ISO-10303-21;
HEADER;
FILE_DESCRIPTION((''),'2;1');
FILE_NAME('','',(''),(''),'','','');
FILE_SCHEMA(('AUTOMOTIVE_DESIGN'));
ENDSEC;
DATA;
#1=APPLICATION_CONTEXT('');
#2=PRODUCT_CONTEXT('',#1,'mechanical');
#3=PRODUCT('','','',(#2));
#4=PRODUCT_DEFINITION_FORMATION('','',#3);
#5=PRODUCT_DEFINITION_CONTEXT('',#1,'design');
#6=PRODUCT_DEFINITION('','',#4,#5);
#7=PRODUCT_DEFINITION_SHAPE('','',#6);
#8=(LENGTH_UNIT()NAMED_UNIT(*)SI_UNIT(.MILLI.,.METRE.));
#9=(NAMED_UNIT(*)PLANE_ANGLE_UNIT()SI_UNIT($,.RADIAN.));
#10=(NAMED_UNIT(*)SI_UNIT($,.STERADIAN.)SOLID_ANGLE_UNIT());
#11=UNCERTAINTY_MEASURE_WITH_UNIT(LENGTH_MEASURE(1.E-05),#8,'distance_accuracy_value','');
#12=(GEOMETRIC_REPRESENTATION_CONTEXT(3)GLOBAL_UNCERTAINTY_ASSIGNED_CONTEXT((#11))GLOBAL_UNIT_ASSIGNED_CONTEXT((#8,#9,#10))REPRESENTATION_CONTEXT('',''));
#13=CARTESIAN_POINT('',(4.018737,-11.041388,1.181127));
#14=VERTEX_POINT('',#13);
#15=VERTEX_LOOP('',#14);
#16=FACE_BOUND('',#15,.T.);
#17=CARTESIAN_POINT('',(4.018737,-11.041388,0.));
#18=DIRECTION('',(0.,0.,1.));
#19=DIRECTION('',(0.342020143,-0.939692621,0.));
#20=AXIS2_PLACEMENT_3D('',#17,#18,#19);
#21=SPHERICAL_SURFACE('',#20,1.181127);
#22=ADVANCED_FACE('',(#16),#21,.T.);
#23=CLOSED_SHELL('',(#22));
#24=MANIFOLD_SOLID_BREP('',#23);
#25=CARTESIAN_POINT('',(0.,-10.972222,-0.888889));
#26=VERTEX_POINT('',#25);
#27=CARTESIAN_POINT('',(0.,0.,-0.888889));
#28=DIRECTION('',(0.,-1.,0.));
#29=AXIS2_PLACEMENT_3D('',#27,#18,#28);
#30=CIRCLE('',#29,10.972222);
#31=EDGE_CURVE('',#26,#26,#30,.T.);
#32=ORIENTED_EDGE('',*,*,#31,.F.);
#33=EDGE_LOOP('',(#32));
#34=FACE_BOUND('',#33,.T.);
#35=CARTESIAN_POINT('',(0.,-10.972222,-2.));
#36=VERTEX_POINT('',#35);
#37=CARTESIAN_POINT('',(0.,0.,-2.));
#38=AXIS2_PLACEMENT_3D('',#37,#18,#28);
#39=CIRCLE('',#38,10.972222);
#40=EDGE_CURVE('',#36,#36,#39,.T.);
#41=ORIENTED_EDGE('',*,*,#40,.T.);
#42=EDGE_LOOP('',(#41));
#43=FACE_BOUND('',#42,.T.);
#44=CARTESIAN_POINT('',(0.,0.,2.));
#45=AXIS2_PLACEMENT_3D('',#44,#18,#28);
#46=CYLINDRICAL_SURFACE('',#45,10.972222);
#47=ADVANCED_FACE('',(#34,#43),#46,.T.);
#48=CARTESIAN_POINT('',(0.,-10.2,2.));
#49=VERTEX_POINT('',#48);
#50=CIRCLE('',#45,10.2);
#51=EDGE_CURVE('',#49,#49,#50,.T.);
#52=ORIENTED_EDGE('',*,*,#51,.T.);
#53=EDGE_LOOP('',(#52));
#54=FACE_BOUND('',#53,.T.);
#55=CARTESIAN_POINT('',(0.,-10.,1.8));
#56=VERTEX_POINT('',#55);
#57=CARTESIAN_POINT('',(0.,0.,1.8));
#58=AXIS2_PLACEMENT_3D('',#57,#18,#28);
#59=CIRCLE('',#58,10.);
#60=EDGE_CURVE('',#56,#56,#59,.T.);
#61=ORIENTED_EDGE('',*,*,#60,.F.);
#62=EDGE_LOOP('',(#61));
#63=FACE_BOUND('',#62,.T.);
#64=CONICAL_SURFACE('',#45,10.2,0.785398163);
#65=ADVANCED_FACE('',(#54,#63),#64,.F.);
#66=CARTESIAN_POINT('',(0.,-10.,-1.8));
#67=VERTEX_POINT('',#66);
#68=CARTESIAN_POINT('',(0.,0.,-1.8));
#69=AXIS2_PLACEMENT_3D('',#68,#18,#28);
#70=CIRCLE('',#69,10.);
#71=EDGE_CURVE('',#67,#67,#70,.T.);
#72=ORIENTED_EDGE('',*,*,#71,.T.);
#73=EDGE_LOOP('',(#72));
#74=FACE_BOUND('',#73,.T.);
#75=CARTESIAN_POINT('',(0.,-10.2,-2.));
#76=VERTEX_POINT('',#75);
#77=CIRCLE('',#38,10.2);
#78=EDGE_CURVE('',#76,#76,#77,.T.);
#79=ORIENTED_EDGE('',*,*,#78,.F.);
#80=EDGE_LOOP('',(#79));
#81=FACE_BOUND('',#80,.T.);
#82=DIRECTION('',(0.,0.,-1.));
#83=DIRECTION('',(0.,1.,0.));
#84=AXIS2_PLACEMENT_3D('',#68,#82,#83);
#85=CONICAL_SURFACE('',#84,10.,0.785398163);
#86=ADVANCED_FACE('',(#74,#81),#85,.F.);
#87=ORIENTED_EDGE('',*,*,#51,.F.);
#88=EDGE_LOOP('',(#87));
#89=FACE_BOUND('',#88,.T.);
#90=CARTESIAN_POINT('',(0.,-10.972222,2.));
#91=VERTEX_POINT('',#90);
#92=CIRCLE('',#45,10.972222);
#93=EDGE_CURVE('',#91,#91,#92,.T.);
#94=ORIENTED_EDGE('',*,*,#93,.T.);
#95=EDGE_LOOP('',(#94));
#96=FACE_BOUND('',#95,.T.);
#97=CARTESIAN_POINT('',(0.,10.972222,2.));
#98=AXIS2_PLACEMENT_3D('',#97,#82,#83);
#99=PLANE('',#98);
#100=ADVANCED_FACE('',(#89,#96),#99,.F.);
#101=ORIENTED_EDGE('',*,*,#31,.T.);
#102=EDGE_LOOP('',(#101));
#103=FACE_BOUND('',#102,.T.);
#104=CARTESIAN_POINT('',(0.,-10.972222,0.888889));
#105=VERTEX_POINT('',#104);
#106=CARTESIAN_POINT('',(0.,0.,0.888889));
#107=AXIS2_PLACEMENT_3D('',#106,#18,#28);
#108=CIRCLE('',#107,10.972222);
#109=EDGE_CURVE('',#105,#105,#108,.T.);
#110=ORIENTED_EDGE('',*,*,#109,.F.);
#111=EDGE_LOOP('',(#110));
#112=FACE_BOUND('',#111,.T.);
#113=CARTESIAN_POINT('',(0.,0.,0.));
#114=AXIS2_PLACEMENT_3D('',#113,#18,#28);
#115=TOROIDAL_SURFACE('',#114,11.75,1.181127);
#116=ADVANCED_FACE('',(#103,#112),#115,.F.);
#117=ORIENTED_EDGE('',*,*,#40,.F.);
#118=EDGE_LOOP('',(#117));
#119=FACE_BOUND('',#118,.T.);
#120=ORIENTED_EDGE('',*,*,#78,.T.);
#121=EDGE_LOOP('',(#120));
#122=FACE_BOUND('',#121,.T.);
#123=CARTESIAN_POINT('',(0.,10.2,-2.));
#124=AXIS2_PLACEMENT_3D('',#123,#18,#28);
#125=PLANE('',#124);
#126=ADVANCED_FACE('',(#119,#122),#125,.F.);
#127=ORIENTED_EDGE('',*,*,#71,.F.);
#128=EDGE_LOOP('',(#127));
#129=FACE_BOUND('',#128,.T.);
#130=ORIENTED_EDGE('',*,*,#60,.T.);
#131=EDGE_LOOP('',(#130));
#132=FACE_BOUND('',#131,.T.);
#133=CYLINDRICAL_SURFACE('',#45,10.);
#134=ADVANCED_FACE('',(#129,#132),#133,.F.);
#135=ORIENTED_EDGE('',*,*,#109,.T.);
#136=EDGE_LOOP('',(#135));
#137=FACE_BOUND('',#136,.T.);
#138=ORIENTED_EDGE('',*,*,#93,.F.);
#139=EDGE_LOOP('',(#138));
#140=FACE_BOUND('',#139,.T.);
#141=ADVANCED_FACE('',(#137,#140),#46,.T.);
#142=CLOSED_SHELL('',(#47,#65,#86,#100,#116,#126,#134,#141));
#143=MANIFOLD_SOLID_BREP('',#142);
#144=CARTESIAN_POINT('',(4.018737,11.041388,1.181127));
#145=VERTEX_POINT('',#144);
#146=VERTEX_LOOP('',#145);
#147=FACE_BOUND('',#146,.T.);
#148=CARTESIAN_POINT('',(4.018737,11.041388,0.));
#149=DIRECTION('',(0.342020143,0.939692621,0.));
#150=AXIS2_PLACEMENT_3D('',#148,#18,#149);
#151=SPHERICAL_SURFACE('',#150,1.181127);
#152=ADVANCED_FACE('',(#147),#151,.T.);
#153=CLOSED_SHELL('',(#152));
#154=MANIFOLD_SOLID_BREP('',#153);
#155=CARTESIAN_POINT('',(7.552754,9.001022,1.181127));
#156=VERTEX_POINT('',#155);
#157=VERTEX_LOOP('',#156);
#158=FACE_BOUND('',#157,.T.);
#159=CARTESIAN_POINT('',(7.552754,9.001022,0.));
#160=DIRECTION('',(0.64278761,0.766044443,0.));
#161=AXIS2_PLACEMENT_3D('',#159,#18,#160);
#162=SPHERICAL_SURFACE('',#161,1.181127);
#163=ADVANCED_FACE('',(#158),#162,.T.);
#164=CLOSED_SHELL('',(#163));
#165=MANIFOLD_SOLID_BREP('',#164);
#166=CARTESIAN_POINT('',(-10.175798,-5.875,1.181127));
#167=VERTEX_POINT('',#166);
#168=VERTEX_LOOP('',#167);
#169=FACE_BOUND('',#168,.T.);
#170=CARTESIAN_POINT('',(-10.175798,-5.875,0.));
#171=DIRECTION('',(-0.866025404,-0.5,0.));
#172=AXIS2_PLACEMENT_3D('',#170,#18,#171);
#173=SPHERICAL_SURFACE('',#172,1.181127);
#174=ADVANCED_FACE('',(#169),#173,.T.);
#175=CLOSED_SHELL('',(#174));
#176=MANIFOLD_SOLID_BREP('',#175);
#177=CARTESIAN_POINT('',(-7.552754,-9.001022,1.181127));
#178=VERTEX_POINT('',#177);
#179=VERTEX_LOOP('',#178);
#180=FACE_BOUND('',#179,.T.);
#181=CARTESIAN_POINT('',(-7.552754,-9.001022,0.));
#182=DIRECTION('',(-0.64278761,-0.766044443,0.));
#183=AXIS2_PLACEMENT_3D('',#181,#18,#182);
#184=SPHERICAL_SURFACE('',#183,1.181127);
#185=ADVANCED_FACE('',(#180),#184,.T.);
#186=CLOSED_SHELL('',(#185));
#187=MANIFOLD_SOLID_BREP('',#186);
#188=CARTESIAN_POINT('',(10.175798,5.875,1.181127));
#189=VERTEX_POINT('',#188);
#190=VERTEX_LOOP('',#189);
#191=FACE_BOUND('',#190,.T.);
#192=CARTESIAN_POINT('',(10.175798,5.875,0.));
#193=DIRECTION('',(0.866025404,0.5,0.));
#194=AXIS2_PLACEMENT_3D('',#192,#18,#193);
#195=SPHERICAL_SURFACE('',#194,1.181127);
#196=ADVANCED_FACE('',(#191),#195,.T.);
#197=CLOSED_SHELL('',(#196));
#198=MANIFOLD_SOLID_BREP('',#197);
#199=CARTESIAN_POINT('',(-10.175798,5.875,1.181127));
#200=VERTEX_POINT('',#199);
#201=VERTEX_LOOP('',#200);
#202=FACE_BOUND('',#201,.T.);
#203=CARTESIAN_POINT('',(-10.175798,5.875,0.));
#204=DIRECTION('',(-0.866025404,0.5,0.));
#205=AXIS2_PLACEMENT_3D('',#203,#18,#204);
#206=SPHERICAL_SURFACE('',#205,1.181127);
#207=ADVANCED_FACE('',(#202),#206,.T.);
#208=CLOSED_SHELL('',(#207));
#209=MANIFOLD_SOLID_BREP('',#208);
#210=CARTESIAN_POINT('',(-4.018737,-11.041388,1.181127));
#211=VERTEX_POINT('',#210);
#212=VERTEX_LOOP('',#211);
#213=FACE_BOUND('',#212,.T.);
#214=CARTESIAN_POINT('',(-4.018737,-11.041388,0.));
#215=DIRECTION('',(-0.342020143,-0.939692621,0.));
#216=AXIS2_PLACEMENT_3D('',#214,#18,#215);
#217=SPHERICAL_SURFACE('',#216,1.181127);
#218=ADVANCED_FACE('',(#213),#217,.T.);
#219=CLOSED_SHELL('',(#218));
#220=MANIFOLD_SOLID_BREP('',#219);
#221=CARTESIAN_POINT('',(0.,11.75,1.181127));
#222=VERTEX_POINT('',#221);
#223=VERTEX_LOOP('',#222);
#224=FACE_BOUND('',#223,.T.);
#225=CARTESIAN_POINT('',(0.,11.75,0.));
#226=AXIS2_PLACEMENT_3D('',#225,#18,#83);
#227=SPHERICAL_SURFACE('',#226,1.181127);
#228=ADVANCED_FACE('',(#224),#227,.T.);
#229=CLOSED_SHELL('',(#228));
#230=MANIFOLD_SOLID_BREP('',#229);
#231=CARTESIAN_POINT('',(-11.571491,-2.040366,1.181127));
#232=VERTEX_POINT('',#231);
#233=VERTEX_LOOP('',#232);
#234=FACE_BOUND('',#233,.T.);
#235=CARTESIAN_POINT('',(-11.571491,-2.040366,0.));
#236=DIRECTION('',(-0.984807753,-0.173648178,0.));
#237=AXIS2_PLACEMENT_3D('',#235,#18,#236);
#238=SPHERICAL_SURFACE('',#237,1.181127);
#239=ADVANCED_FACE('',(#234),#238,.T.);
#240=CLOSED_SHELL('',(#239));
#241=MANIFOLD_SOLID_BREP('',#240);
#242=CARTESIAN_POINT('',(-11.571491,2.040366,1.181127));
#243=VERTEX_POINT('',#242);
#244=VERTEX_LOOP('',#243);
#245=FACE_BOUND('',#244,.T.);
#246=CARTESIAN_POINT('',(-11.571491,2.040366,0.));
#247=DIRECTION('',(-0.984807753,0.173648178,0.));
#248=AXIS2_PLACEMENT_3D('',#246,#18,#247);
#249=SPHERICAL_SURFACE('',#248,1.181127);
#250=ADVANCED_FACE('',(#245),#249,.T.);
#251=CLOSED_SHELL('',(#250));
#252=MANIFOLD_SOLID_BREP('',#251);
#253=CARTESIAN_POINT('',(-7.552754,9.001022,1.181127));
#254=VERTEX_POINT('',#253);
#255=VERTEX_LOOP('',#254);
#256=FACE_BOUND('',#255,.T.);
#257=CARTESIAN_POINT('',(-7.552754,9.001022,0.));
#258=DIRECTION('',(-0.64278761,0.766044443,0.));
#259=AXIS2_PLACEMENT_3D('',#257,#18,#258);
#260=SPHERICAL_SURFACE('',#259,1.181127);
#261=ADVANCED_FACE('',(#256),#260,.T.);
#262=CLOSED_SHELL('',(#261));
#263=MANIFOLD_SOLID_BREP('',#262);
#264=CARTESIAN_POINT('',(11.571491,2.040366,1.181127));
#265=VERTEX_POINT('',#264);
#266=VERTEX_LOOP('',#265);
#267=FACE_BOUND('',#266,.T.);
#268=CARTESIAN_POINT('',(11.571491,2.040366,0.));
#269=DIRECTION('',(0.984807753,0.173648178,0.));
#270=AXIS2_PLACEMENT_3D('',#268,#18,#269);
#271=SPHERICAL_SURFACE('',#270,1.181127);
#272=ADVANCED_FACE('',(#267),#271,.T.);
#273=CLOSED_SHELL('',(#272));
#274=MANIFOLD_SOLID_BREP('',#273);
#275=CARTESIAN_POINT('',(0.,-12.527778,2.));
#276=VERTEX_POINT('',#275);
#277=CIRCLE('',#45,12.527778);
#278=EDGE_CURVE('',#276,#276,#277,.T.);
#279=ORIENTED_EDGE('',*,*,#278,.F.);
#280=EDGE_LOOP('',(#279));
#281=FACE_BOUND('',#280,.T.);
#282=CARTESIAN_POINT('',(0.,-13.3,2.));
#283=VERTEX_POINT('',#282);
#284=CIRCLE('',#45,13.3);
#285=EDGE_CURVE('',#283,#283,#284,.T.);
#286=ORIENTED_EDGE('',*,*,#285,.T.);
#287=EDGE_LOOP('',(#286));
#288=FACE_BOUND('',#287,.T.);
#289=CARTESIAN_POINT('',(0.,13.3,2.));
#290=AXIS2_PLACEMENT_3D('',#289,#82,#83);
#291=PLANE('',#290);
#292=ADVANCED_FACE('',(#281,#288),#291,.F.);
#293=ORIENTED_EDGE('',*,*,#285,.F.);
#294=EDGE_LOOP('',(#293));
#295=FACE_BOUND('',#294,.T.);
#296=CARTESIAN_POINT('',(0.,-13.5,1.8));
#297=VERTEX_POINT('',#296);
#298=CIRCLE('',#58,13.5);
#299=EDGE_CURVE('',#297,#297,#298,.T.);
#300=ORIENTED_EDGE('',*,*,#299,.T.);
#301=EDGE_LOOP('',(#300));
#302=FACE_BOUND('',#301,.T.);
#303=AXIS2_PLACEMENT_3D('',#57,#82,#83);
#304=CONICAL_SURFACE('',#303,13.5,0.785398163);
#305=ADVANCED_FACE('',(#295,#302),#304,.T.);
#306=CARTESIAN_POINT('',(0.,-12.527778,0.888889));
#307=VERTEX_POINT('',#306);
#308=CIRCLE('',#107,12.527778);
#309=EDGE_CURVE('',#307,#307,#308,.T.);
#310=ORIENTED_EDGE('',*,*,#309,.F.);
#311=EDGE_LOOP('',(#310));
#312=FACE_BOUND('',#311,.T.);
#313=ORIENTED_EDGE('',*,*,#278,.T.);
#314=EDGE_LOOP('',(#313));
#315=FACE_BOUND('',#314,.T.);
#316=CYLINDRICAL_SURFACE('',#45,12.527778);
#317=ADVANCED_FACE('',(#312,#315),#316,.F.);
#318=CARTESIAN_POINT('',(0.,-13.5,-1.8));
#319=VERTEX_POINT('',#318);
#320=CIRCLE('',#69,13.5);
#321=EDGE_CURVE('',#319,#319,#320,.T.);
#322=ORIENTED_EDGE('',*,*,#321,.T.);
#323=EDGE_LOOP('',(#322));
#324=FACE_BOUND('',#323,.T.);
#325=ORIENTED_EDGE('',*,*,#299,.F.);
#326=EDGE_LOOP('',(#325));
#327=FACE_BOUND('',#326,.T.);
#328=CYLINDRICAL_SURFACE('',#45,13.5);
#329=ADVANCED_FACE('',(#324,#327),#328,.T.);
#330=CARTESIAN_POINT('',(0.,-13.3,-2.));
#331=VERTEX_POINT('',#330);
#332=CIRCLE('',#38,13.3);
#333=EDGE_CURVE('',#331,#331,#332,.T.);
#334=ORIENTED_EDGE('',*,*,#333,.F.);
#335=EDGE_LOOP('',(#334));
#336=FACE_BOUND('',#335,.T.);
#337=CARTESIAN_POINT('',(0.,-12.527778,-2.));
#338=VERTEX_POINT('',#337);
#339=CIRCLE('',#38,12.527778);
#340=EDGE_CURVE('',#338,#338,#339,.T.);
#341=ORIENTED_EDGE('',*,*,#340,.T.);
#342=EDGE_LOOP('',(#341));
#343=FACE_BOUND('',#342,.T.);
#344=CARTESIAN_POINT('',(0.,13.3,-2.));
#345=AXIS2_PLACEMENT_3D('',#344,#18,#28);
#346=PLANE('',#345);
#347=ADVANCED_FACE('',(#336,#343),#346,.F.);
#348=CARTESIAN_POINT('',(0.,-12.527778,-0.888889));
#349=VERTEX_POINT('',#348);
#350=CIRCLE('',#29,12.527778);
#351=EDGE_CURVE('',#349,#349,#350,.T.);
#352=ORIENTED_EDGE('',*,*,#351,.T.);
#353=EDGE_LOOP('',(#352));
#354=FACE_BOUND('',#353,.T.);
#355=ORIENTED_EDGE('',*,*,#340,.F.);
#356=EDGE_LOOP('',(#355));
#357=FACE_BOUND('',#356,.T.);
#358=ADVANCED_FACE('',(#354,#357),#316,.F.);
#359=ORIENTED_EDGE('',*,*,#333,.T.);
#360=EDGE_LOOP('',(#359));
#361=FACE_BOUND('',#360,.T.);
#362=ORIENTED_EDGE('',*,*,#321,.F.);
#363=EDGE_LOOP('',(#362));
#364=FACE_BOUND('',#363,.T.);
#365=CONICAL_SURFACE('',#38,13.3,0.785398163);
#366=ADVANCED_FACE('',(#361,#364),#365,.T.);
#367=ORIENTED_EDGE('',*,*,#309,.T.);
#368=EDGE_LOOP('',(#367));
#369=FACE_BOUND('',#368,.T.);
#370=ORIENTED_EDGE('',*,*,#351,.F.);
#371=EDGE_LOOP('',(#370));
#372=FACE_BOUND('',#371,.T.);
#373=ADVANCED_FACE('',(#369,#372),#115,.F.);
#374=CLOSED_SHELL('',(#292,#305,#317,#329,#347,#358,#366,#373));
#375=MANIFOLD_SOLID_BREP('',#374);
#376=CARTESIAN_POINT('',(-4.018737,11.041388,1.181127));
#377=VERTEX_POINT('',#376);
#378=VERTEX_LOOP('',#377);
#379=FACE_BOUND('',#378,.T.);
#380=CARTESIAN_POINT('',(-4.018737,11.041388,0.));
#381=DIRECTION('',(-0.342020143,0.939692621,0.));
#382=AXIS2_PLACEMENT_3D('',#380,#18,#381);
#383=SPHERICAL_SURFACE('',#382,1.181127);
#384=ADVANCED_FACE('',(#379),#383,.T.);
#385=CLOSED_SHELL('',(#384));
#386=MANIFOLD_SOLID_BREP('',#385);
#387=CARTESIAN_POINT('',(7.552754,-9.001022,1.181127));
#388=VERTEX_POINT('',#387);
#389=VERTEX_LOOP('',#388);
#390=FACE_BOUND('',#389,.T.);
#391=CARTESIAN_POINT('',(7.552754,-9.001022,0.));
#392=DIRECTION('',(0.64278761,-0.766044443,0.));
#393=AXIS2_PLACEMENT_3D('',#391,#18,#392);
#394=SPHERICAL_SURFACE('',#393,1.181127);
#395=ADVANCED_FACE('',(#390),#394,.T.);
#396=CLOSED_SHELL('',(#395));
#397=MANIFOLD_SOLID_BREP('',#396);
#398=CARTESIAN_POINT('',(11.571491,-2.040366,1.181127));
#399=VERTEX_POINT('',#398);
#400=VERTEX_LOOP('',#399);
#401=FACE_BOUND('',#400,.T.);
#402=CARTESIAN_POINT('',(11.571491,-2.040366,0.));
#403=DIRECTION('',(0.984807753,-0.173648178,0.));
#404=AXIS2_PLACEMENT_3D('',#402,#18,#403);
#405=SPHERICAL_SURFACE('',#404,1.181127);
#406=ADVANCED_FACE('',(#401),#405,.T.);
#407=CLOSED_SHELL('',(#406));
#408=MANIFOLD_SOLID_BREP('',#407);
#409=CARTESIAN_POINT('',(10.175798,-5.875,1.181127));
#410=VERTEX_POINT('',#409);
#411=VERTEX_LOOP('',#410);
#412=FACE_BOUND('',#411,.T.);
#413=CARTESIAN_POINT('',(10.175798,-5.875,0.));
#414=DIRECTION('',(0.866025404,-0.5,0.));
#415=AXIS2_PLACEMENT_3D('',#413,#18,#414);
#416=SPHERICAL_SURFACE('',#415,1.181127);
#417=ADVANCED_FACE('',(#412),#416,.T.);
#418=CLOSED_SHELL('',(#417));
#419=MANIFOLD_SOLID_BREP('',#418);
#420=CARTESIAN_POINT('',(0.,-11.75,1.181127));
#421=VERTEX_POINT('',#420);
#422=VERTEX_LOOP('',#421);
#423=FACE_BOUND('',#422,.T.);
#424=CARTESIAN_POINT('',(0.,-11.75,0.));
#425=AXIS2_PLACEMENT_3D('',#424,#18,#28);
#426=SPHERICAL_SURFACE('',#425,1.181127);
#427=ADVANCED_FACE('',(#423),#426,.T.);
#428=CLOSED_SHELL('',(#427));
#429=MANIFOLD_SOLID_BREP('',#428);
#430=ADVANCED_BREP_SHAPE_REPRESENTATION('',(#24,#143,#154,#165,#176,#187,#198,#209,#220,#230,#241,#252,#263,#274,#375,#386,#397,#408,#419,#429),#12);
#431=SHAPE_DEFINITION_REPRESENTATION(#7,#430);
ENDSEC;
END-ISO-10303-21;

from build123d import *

# Parameters (mm, degrees)
CIRPATTERN1_COUNT = 18


with BuildPart() as part:
    # Sketch6 → Revolve5 (revolve)
    with BuildSketch(Plane(origin=(0, 0, 0), x_dir=(0, 0, -1), z_dir=(1, 0, 0)), mode=Mode.PRIVATE) as revolve5_sk:
        with BuildLine():
            Line((1.8, 13.5), (2, 13.3))
            Line((2, 13.3), (2, 12.527777778))
            Line((2, 12.527777778), (0.888888889, 12.527777778))
            ThreePointArc((0.888888889, 12.527777778), (0, 12.931127313), (-0.888888889, 12.527777778))
            Line((-0.888888889, 12.527777778), (-2, 12.527777778))
            Line((-2, 12.527777778), (-2, 13.3))
            Line((-2, 13.3), (-1.8, 13.5))
            Line((-1.8, 13.5), (1.8, 13.5))
        make_face()
    revolve(revolve5_sk.sketch.rotate(Axis((0, 0, 2), (0, 0, -1)), 180), axis=Axis((0, 0, 2), (0, 0, -1)))


with BuildPart() as body_2:
    # Sketch3 → Revolve3 (revolve)
    with BuildSketch(Plane(origin=(0, 0, 0), x_dir=(0, 0, -1), z_dir=(1, 0, 0)), mode=Mode.PRIVATE) as revolve3_sk:
        with BuildLine():
            Line((-2, 10.972222222), (-0.888888889, 10.972222222))
            ThreePointArc((-0.888888889, 10.972222222), (0, 10.568872687), (0.888888889, 10.972222222))
            Line((0.888888889, 10.972222222), (2, 10.972222222))
            Line((2, 10.972222222), (2, 10.2))
            Line((2, 10.2), (1.8, 10))
            Line((1.8, 10), (-1.8, 10))
            Line((-1.8, 10), (-2, 10.2))
            Line((-2, 10.2), (-2, 10.972222222))
        make_face()
    revolve(revolve3_sk.sketch.rotate(Axis((0, 0, 2), (0, 0, -1)), 180), axis=Axis((0, 0, 2), (0, 0, -1)))


with BuildPart() as body_3:
    # Sketch4 → Revolve4 (revolve)
    with BuildSketch(Plane(origin=(0, 0, 0), x_dir=(0, 0, -1), z_dir=(1, 0, 0))):
        with BuildLine():
            Line((-1.181127313, 11.75), (1.181127313, 11.75))
            ThreePointArc((1.181127313, 11.75), (0, 12.931127313), (-1.181127313, 11.75))
        make_face()
    revolve(axis=Axis((0, 11.75, 1.181127313), (0, 0, -1)))


with BuildPart() as cirpattern1_1:
    # CirPattern1: pattern copy
    add(body_3.part.rotate(Axis((0, 0, 0), (0, 0, 1)), 1 * 360 / CIRPATTERN1_COUNT))


with BuildPart() as cirpattern1_2:
    # CirPattern1: pattern copy
    add(body_3.part.rotate(Axis((0, 0, 0), (0, 0, 1)), 2 * 360 / CIRPATTERN1_COUNT))


with BuildPart() as cirpattern1_3:
    # CirPattern1: pattern copy
    add(body_3.part.rotate(Axis((0, 0, 0), (0, 0, 1)), 3 * 360 / CIRPATTERN1_COUNT))


with BuildPart() as cirpattern1_4:
    # CirPattern1: pattern copy
    add(body_3.part.rotate(Axis((0, 0, 0), (0, 0, 1)), 4 * 360 / CIRPATTERN1_COUNT))


with BuildPart() as cirpattern1_5:
    # CirPattern1: pattern copy
    add(body_3.part.rotate(Axis((0, 0, 0), (0, 0, 1)), 5 * 360 / CIRPATTERN1_COUNT))


with BuildPart() as cirpattern1_6:
    # CirPattern1: pattern copy
    add(body_3.part.rotate(Axis((0, 0, 0), (0, 0, 1)), 6 * 360 / CIRPATTERN1_COUNT))


with BuildPart() as cirpattern1_7:
    # CirPattern1: pattern copy
    add(body_3.part.rotate(Axis((0, 0, 0), (0, 0, 1)), 7 * 360 / CIRPATTERN1_COUNT))


with BuildPart() as cirpattern1_8:
    # CirPattern1: pattern copy
    add(body_3.part.rotate(Axis((0, 0, 0), (0, 0, 1)), 8 * 360 / CIRPATTERN1_COUNT))


with BuildPart() as cirpattern1_9:
    # CirPattern1: pattern copy
    add(body_3.part.rotate(Axis((0, 0, 0), (0, 0, 1)), 9 * 360 / CIRPATTERN1_COUNT))


with BuildPart() as cirpattern1_10:
    # CirPattern1: pattern copy
    add(body_3.part.rotate(Axis((0, 0, 0), (0, 0, 1)), 10 * 360 / CIRPATTERN1_COUNT))


with BuildPart() as cirpattern1_11:
    # CirPattern1: pattern copy
    add(body_3.part.rotate(Axis((0, 0, 0), (0, 0, 1)), 11 * 360 / CIRPATTERN1_COUNT))


with BuildPart() as cirpattern1_12:
    # CirPattern1: pattern copy
    add(body_3.part.rotate(Axis((0, 0, 0), (0, 0, 1)), 12 * 360 / CIRPATTERN1_COUNT))


with BuildPart() as cirpattern1_13:
    # CirPattern1: pattern copy
    add(body_3.part.rotate(Axis((0, 0, 0), (0, 0, 1)), 13 * 360 / CIRPATTERN1_COUNT))


with BuildPart() as cirpattern1_14:
    # CirPattern1: pattern copy
    add(body_3.part.rotate(Axis((0, 0, 0), (0, 0, 1)), 14 * 360 / CIRPATTERN1_COUNT))


with BuildPart() as cirpattern1_15:
    # CirPattern1: pattern copy
    add(body_3.part.rotate(Axis((0, 0, 0), (0, 0, 1)), 15 * 360 / CIRPATTERN1_COUNT))


with BuildPart() as cirpattern1_16:
    # CirPattern1: pattern copy
    add(body_3.part.rotate(Axis((0, 0, 0), (0, 0, 1)), 16 * 360 / CIRPATTERN1_COUNT))


with BuildPart() as cirpattern1_17:
    # CirPattern1: pattern copy
    add(body_3.part.rotate(Axis((0, 0, 0), (0, 0, 1)), 17 * 360 / CIRPATTERN1_COUNT))


solid = Compound([part.part, body_2.part, body_3.part, cirpattern1_1.part, cirpattern1_2.part, cirpattern1_3.part, cirpattern1_4.part, cirpattern1_5.part, cirpattern1_6.part, cirpattern1_7.part, cirpattern1_8.part, cirpattern1_9.part, cirpattern1_10.part, cirpattern1_11.part, cirpattern1_12.part, cirpattern1_13.part, cirpattern1_14.part, cirpattern1_15.part, cirpattern1_16.part, cirpattern1_17.part])
